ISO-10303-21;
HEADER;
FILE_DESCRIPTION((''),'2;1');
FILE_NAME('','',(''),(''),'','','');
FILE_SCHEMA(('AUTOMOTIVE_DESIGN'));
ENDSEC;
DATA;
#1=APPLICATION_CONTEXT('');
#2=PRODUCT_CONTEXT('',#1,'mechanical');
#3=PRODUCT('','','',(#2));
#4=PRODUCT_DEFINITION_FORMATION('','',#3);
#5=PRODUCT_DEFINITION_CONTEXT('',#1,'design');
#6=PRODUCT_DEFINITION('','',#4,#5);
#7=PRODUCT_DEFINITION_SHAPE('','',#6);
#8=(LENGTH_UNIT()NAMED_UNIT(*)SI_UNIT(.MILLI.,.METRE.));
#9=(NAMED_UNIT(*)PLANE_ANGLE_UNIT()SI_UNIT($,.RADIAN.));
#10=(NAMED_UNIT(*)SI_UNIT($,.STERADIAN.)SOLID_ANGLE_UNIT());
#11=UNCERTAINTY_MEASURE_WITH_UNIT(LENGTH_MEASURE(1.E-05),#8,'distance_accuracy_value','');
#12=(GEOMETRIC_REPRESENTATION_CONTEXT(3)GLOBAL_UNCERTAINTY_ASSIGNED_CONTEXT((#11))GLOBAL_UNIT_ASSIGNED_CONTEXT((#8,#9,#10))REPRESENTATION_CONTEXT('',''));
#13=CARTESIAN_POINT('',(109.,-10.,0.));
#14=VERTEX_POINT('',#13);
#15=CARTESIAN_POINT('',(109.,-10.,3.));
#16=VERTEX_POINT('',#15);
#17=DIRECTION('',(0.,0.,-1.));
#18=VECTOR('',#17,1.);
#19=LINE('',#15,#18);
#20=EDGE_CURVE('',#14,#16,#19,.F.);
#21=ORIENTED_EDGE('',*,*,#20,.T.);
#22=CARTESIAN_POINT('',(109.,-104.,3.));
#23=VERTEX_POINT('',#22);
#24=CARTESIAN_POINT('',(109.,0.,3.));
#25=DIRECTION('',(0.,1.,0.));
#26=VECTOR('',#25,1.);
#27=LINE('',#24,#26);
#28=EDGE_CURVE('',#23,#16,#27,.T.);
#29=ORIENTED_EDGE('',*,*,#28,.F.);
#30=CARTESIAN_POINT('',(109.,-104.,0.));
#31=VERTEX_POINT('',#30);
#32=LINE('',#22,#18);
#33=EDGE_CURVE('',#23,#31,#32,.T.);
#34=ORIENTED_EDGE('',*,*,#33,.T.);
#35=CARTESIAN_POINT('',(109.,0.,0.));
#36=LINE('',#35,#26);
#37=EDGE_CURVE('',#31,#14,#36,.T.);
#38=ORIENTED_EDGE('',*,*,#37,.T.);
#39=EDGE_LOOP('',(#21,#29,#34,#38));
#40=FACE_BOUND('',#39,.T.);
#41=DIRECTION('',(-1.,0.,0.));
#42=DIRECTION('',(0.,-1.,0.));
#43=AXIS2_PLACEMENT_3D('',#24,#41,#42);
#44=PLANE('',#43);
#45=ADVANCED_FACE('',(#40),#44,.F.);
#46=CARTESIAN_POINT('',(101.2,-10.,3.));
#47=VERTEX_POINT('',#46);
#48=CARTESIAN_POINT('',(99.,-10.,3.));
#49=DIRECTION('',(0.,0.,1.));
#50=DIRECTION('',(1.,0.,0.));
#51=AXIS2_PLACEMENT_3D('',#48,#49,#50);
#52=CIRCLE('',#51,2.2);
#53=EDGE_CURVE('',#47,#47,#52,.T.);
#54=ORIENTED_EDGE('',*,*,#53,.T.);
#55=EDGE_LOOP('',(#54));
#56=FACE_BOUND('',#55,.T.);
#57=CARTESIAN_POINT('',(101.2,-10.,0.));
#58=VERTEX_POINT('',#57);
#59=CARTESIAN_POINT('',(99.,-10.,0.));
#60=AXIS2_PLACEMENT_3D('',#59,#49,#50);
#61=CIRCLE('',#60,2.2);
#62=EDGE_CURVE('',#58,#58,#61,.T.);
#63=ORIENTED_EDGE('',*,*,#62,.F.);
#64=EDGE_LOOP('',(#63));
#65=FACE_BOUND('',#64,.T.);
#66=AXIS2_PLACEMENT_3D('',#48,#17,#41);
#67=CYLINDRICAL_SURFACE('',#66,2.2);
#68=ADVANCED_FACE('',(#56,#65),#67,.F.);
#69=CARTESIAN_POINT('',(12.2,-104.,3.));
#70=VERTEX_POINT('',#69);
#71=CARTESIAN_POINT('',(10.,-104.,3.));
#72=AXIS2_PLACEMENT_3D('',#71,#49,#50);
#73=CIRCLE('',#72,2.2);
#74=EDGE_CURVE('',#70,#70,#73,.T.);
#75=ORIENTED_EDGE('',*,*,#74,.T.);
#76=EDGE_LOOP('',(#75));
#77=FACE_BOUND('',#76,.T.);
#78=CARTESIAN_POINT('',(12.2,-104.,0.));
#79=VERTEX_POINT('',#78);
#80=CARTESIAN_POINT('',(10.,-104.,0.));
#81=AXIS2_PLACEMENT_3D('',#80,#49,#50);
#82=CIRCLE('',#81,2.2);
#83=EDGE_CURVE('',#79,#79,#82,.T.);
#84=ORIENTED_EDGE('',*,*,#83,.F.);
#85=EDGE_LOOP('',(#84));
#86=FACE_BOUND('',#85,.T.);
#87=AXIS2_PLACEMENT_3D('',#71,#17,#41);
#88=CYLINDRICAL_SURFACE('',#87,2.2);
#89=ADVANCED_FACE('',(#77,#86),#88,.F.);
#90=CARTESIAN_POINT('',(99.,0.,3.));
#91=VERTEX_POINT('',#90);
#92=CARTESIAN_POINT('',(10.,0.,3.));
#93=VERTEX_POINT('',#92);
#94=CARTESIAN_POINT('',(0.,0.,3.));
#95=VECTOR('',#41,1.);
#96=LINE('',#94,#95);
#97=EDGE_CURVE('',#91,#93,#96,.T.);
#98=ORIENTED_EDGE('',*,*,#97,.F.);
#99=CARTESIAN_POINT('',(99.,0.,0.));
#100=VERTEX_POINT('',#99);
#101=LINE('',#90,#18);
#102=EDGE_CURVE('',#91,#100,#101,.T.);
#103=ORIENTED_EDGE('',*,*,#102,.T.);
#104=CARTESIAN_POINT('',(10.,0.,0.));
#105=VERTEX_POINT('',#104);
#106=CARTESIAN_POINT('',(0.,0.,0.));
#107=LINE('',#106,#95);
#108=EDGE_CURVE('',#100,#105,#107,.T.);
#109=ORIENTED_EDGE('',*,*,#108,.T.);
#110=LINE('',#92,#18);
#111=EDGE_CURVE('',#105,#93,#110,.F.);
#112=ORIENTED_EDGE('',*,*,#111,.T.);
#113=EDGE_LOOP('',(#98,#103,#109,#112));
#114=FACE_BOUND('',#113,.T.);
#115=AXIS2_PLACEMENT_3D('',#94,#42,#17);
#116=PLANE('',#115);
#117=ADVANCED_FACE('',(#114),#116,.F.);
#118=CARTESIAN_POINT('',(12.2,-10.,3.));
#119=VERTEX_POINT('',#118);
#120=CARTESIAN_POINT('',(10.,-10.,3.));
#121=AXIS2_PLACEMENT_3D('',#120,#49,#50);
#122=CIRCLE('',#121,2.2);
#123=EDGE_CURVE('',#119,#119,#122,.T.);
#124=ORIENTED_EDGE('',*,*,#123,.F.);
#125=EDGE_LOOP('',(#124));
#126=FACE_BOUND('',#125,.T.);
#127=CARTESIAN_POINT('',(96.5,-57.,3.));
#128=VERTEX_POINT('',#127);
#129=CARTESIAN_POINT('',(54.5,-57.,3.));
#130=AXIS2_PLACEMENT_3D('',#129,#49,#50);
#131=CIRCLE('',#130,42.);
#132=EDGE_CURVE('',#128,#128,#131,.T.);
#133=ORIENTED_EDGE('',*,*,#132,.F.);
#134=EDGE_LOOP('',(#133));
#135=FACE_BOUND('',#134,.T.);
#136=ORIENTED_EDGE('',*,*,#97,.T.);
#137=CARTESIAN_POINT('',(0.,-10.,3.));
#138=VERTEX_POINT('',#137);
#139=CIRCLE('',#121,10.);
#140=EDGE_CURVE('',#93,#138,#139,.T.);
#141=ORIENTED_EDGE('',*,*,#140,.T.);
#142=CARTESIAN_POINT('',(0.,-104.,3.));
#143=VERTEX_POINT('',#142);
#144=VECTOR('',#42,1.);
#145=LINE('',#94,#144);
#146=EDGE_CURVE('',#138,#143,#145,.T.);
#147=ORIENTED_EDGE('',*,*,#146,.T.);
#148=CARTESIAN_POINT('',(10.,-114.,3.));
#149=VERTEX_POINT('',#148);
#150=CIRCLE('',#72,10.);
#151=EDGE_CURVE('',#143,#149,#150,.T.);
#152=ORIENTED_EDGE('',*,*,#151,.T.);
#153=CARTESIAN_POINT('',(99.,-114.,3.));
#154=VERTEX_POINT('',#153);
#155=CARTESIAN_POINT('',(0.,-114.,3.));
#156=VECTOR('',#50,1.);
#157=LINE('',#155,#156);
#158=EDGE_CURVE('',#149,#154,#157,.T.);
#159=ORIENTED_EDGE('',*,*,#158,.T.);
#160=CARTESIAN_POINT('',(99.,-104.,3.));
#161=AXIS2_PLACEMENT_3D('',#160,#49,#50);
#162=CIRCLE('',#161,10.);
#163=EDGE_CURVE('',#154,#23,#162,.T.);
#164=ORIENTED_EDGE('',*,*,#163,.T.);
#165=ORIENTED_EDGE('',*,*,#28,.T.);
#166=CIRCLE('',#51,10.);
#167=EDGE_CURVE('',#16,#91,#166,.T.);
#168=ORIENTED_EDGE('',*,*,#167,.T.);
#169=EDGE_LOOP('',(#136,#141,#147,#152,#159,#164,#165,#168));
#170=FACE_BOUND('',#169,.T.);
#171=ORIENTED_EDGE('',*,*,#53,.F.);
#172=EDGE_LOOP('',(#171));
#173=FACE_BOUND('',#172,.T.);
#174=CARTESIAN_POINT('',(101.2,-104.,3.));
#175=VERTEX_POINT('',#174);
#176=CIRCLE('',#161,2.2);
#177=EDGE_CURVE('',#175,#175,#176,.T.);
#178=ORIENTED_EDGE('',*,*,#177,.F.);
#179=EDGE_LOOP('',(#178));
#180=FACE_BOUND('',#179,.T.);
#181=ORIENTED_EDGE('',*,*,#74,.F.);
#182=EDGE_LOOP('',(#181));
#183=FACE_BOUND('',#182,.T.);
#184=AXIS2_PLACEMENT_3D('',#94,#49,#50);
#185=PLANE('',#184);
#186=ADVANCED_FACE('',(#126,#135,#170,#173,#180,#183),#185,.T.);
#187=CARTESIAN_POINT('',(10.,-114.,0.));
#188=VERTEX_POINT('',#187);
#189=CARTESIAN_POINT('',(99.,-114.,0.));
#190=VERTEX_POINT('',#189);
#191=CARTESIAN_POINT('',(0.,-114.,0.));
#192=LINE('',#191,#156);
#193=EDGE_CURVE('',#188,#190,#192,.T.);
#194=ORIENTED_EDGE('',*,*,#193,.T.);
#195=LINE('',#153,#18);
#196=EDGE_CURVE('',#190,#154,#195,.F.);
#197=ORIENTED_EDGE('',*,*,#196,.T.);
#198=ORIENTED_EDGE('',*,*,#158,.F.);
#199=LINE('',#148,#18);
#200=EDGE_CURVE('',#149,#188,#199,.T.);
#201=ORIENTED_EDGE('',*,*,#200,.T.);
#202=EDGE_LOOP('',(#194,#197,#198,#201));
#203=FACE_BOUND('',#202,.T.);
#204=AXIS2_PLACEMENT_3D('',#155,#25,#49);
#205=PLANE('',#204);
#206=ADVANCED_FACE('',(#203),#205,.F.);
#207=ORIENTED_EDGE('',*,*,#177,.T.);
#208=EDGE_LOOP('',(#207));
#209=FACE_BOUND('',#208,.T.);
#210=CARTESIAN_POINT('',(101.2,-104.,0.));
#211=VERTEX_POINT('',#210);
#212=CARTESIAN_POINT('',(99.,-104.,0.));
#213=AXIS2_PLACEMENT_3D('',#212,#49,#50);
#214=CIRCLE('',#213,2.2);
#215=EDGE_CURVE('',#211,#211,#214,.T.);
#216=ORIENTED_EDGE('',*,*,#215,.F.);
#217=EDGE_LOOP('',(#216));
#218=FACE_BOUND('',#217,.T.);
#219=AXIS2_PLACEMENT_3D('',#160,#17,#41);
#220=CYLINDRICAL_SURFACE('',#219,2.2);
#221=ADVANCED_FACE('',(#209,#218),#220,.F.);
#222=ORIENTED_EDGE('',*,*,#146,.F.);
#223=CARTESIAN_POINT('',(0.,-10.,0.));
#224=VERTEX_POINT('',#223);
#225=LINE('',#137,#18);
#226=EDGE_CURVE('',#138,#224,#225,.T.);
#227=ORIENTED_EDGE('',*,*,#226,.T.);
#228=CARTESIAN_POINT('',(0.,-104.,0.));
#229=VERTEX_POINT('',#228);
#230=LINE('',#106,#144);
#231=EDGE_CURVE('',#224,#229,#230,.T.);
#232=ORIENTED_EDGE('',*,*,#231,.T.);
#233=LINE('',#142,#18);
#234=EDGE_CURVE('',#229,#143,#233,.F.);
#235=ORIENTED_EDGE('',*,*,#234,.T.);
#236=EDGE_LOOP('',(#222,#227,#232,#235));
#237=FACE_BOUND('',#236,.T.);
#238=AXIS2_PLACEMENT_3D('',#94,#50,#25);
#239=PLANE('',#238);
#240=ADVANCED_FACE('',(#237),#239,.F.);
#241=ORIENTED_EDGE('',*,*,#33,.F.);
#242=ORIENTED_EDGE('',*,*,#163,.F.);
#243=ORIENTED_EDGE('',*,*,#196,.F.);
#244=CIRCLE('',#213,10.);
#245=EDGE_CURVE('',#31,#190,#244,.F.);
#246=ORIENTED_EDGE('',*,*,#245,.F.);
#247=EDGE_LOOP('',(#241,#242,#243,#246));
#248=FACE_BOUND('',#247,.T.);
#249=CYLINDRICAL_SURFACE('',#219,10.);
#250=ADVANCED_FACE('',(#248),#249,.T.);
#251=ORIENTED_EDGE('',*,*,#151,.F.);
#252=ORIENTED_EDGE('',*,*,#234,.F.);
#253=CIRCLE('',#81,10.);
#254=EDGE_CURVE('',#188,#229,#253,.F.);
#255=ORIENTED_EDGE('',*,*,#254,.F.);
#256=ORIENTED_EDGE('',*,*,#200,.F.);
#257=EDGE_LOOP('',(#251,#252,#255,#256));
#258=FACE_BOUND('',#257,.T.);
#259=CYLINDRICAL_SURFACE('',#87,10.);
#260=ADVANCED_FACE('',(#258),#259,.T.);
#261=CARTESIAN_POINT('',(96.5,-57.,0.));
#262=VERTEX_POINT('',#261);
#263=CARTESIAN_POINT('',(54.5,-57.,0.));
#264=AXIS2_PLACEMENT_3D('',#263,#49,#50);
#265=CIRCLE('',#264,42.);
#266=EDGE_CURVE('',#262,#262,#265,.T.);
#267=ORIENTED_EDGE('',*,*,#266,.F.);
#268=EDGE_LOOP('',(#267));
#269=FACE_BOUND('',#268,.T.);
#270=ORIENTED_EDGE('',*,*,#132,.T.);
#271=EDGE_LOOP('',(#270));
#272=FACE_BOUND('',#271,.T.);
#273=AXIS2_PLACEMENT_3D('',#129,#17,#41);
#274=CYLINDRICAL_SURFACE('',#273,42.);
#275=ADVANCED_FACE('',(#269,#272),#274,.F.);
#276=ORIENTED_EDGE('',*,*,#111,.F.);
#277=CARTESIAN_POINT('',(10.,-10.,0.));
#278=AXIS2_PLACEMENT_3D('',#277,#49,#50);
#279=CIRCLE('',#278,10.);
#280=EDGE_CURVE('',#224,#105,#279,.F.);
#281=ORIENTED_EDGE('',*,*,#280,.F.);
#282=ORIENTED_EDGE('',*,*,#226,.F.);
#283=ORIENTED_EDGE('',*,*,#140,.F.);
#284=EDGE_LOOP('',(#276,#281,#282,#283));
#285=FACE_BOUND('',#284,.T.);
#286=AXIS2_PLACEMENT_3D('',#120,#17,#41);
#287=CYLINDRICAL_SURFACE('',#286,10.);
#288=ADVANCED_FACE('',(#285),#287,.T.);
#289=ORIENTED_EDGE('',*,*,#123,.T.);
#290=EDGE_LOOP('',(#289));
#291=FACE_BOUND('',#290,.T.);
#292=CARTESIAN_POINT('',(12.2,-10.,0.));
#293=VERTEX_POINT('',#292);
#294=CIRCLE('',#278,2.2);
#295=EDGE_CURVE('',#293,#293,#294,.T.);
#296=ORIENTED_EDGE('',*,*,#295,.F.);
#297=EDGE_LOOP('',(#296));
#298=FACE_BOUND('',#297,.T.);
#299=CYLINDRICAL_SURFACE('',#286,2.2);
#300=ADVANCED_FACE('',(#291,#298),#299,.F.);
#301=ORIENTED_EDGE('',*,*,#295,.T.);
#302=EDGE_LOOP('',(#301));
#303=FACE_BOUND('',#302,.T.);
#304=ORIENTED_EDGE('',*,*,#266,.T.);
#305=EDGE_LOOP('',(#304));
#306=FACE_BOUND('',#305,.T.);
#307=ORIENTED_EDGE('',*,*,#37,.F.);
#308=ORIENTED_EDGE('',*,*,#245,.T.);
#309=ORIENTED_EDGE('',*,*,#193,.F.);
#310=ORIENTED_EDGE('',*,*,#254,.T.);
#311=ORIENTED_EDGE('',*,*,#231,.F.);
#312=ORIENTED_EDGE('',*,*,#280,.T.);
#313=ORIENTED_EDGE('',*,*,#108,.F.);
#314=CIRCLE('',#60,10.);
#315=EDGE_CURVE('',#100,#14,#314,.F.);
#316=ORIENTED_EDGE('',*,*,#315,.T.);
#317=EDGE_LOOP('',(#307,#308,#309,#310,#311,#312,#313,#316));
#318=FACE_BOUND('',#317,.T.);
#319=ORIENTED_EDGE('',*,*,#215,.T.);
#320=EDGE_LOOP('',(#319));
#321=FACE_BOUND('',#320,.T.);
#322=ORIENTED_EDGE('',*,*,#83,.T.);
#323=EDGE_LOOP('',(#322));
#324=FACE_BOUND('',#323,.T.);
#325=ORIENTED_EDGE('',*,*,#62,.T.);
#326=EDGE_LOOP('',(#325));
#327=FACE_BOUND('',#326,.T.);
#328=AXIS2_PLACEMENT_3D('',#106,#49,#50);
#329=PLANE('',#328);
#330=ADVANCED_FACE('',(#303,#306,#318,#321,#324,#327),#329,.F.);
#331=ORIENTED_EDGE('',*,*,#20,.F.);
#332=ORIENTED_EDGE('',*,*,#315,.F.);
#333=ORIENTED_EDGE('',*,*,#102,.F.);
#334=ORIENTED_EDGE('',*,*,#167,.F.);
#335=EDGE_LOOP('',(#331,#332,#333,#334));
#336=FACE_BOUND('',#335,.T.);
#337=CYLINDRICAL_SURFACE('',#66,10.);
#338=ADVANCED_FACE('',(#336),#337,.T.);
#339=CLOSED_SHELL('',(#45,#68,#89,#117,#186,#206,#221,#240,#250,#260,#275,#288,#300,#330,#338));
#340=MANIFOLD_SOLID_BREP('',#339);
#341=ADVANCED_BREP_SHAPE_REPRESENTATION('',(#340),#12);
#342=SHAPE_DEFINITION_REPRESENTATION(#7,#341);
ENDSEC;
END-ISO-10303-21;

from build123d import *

# Parameters (mm, degrees)
SKETCH_1_W      = 109
SKETCH_1_H      = 114
SKETCH_1_R      = 2.2
SKETCH_1_R_2    = 42
EXTRUDE_1_DEPTH = 3
FILLET_3_R      = 10


with BuildPart() as part:
    # 草图1 → 凸台-拉伸1 (new body)
    with BuildSketch(Plane.XY):
        with Locations((54.5, -57)):
            Rectangle(SKETCH_1_W, SKETCH_1_H)
        with Locations((99, -10)):
            Circle(SKETCH_1_R, mode=Mode.SUBTRACT)
        with Locations((99, -104)):
            Circle(SKETCH_1_R, mode=Mode.SUBTRACT)
        with Locations((10, -10)):
            Circle(SKETCH_1_R, mode=Mode.SUBTRACT)
        with Locations((10, -104)):
            Circle(SKETCH_1_R, mode=Mode.SUBTRACT)
        with Locations((54.5, -57)):
            Circle(SKETCH_1_R_2, mode=Mode.SUBTRACT)
    extrude(amount=EXTRUDE_1_DEPTH)

    # 圆角3
    fillet_3_edges = [part.edges().sort_by_distance(p)[0] for p in [
        (0, 0, 1.5),
        (109, 0, 1.5),
        (109, -114, 1.5),
        (0, -114, 1.5),
    ]]
    fillet(fillet_3_edges, radius=FILLET_3_R)


solid = part.part
